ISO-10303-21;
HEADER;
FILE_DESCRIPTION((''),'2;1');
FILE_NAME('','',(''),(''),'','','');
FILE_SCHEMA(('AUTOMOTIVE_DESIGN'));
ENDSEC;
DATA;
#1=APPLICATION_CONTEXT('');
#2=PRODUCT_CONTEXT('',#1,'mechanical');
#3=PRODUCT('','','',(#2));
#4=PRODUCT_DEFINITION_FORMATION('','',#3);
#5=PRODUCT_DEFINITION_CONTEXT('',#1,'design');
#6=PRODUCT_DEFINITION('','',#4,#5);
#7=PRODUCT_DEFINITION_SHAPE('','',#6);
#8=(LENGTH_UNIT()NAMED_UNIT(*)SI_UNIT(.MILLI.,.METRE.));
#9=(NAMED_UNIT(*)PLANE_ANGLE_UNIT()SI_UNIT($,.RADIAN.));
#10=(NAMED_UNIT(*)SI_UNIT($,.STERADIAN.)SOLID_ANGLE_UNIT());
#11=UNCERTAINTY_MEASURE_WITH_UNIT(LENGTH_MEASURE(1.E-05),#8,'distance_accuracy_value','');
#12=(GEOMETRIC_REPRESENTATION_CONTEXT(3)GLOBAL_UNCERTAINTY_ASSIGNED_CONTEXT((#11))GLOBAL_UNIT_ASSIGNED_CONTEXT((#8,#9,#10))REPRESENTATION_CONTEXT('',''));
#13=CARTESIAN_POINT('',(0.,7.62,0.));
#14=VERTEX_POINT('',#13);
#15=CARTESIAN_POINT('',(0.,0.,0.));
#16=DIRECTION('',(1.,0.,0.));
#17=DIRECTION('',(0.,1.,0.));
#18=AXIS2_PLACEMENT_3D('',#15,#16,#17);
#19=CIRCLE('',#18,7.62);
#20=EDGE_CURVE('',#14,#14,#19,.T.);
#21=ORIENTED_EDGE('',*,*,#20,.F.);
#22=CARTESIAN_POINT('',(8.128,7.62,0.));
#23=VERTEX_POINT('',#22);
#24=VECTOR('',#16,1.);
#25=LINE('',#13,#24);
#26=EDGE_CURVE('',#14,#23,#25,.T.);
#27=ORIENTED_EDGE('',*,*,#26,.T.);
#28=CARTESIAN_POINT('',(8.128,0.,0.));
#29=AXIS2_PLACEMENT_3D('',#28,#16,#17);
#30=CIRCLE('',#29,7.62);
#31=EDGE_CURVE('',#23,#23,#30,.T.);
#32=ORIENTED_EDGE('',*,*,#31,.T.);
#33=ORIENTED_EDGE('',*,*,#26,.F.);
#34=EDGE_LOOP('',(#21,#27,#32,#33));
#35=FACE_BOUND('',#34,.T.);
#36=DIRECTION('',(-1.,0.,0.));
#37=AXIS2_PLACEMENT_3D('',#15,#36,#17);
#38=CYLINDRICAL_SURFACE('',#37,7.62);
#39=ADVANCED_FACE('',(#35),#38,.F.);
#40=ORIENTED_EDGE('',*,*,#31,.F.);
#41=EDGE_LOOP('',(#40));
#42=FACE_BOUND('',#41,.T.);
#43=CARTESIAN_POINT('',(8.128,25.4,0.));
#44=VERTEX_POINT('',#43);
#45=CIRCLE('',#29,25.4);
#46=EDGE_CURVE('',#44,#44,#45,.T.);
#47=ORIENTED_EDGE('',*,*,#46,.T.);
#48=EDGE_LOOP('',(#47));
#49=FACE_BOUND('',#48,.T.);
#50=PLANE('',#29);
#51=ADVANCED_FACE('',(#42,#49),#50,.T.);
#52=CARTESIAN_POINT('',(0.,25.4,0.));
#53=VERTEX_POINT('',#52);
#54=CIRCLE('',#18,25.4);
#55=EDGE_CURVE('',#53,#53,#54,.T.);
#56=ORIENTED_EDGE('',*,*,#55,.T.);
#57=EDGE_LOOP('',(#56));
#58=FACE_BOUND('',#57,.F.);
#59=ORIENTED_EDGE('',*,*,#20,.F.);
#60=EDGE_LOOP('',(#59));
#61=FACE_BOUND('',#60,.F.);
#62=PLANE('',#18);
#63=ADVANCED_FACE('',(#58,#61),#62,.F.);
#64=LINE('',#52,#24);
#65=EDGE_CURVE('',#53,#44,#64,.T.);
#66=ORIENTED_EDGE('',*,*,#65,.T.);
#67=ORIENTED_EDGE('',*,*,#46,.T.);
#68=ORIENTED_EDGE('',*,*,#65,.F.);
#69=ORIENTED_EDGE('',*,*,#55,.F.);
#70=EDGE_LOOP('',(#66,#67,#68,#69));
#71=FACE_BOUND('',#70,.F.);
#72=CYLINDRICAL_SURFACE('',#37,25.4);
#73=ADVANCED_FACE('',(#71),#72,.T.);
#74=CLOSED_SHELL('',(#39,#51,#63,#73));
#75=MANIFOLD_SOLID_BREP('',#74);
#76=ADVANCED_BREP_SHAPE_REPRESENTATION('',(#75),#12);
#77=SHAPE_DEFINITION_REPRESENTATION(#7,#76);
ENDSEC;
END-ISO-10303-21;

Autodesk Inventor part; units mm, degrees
ref_plane "YZ Plane" through (0, 0, 0) normal (1, 0, 0) x (0, 1, 0)
ref_plane "XZ Plane" through (0, 0, 0) normal (0, 1, 0) x (-1, 0, 0)
ref_plane "XY Plane" through (0, 0, 0) normal (0, 0, 1) x (1, 0, 0)
sketch "Sketch1" plane through (0, 0, 0) normal (1, 0, 0) x (0, 1, 0)
  circle A0 centre (0, 0) radius 7.62
  circle A1 centre (0, 0) radius 25.4
  dimension "d2" = 15.24
  dimension "d3" = 50.8
extrude "Extrusion1" add sketch "Sketch1" along normal blind 8.128
properties part number "InSpace"
